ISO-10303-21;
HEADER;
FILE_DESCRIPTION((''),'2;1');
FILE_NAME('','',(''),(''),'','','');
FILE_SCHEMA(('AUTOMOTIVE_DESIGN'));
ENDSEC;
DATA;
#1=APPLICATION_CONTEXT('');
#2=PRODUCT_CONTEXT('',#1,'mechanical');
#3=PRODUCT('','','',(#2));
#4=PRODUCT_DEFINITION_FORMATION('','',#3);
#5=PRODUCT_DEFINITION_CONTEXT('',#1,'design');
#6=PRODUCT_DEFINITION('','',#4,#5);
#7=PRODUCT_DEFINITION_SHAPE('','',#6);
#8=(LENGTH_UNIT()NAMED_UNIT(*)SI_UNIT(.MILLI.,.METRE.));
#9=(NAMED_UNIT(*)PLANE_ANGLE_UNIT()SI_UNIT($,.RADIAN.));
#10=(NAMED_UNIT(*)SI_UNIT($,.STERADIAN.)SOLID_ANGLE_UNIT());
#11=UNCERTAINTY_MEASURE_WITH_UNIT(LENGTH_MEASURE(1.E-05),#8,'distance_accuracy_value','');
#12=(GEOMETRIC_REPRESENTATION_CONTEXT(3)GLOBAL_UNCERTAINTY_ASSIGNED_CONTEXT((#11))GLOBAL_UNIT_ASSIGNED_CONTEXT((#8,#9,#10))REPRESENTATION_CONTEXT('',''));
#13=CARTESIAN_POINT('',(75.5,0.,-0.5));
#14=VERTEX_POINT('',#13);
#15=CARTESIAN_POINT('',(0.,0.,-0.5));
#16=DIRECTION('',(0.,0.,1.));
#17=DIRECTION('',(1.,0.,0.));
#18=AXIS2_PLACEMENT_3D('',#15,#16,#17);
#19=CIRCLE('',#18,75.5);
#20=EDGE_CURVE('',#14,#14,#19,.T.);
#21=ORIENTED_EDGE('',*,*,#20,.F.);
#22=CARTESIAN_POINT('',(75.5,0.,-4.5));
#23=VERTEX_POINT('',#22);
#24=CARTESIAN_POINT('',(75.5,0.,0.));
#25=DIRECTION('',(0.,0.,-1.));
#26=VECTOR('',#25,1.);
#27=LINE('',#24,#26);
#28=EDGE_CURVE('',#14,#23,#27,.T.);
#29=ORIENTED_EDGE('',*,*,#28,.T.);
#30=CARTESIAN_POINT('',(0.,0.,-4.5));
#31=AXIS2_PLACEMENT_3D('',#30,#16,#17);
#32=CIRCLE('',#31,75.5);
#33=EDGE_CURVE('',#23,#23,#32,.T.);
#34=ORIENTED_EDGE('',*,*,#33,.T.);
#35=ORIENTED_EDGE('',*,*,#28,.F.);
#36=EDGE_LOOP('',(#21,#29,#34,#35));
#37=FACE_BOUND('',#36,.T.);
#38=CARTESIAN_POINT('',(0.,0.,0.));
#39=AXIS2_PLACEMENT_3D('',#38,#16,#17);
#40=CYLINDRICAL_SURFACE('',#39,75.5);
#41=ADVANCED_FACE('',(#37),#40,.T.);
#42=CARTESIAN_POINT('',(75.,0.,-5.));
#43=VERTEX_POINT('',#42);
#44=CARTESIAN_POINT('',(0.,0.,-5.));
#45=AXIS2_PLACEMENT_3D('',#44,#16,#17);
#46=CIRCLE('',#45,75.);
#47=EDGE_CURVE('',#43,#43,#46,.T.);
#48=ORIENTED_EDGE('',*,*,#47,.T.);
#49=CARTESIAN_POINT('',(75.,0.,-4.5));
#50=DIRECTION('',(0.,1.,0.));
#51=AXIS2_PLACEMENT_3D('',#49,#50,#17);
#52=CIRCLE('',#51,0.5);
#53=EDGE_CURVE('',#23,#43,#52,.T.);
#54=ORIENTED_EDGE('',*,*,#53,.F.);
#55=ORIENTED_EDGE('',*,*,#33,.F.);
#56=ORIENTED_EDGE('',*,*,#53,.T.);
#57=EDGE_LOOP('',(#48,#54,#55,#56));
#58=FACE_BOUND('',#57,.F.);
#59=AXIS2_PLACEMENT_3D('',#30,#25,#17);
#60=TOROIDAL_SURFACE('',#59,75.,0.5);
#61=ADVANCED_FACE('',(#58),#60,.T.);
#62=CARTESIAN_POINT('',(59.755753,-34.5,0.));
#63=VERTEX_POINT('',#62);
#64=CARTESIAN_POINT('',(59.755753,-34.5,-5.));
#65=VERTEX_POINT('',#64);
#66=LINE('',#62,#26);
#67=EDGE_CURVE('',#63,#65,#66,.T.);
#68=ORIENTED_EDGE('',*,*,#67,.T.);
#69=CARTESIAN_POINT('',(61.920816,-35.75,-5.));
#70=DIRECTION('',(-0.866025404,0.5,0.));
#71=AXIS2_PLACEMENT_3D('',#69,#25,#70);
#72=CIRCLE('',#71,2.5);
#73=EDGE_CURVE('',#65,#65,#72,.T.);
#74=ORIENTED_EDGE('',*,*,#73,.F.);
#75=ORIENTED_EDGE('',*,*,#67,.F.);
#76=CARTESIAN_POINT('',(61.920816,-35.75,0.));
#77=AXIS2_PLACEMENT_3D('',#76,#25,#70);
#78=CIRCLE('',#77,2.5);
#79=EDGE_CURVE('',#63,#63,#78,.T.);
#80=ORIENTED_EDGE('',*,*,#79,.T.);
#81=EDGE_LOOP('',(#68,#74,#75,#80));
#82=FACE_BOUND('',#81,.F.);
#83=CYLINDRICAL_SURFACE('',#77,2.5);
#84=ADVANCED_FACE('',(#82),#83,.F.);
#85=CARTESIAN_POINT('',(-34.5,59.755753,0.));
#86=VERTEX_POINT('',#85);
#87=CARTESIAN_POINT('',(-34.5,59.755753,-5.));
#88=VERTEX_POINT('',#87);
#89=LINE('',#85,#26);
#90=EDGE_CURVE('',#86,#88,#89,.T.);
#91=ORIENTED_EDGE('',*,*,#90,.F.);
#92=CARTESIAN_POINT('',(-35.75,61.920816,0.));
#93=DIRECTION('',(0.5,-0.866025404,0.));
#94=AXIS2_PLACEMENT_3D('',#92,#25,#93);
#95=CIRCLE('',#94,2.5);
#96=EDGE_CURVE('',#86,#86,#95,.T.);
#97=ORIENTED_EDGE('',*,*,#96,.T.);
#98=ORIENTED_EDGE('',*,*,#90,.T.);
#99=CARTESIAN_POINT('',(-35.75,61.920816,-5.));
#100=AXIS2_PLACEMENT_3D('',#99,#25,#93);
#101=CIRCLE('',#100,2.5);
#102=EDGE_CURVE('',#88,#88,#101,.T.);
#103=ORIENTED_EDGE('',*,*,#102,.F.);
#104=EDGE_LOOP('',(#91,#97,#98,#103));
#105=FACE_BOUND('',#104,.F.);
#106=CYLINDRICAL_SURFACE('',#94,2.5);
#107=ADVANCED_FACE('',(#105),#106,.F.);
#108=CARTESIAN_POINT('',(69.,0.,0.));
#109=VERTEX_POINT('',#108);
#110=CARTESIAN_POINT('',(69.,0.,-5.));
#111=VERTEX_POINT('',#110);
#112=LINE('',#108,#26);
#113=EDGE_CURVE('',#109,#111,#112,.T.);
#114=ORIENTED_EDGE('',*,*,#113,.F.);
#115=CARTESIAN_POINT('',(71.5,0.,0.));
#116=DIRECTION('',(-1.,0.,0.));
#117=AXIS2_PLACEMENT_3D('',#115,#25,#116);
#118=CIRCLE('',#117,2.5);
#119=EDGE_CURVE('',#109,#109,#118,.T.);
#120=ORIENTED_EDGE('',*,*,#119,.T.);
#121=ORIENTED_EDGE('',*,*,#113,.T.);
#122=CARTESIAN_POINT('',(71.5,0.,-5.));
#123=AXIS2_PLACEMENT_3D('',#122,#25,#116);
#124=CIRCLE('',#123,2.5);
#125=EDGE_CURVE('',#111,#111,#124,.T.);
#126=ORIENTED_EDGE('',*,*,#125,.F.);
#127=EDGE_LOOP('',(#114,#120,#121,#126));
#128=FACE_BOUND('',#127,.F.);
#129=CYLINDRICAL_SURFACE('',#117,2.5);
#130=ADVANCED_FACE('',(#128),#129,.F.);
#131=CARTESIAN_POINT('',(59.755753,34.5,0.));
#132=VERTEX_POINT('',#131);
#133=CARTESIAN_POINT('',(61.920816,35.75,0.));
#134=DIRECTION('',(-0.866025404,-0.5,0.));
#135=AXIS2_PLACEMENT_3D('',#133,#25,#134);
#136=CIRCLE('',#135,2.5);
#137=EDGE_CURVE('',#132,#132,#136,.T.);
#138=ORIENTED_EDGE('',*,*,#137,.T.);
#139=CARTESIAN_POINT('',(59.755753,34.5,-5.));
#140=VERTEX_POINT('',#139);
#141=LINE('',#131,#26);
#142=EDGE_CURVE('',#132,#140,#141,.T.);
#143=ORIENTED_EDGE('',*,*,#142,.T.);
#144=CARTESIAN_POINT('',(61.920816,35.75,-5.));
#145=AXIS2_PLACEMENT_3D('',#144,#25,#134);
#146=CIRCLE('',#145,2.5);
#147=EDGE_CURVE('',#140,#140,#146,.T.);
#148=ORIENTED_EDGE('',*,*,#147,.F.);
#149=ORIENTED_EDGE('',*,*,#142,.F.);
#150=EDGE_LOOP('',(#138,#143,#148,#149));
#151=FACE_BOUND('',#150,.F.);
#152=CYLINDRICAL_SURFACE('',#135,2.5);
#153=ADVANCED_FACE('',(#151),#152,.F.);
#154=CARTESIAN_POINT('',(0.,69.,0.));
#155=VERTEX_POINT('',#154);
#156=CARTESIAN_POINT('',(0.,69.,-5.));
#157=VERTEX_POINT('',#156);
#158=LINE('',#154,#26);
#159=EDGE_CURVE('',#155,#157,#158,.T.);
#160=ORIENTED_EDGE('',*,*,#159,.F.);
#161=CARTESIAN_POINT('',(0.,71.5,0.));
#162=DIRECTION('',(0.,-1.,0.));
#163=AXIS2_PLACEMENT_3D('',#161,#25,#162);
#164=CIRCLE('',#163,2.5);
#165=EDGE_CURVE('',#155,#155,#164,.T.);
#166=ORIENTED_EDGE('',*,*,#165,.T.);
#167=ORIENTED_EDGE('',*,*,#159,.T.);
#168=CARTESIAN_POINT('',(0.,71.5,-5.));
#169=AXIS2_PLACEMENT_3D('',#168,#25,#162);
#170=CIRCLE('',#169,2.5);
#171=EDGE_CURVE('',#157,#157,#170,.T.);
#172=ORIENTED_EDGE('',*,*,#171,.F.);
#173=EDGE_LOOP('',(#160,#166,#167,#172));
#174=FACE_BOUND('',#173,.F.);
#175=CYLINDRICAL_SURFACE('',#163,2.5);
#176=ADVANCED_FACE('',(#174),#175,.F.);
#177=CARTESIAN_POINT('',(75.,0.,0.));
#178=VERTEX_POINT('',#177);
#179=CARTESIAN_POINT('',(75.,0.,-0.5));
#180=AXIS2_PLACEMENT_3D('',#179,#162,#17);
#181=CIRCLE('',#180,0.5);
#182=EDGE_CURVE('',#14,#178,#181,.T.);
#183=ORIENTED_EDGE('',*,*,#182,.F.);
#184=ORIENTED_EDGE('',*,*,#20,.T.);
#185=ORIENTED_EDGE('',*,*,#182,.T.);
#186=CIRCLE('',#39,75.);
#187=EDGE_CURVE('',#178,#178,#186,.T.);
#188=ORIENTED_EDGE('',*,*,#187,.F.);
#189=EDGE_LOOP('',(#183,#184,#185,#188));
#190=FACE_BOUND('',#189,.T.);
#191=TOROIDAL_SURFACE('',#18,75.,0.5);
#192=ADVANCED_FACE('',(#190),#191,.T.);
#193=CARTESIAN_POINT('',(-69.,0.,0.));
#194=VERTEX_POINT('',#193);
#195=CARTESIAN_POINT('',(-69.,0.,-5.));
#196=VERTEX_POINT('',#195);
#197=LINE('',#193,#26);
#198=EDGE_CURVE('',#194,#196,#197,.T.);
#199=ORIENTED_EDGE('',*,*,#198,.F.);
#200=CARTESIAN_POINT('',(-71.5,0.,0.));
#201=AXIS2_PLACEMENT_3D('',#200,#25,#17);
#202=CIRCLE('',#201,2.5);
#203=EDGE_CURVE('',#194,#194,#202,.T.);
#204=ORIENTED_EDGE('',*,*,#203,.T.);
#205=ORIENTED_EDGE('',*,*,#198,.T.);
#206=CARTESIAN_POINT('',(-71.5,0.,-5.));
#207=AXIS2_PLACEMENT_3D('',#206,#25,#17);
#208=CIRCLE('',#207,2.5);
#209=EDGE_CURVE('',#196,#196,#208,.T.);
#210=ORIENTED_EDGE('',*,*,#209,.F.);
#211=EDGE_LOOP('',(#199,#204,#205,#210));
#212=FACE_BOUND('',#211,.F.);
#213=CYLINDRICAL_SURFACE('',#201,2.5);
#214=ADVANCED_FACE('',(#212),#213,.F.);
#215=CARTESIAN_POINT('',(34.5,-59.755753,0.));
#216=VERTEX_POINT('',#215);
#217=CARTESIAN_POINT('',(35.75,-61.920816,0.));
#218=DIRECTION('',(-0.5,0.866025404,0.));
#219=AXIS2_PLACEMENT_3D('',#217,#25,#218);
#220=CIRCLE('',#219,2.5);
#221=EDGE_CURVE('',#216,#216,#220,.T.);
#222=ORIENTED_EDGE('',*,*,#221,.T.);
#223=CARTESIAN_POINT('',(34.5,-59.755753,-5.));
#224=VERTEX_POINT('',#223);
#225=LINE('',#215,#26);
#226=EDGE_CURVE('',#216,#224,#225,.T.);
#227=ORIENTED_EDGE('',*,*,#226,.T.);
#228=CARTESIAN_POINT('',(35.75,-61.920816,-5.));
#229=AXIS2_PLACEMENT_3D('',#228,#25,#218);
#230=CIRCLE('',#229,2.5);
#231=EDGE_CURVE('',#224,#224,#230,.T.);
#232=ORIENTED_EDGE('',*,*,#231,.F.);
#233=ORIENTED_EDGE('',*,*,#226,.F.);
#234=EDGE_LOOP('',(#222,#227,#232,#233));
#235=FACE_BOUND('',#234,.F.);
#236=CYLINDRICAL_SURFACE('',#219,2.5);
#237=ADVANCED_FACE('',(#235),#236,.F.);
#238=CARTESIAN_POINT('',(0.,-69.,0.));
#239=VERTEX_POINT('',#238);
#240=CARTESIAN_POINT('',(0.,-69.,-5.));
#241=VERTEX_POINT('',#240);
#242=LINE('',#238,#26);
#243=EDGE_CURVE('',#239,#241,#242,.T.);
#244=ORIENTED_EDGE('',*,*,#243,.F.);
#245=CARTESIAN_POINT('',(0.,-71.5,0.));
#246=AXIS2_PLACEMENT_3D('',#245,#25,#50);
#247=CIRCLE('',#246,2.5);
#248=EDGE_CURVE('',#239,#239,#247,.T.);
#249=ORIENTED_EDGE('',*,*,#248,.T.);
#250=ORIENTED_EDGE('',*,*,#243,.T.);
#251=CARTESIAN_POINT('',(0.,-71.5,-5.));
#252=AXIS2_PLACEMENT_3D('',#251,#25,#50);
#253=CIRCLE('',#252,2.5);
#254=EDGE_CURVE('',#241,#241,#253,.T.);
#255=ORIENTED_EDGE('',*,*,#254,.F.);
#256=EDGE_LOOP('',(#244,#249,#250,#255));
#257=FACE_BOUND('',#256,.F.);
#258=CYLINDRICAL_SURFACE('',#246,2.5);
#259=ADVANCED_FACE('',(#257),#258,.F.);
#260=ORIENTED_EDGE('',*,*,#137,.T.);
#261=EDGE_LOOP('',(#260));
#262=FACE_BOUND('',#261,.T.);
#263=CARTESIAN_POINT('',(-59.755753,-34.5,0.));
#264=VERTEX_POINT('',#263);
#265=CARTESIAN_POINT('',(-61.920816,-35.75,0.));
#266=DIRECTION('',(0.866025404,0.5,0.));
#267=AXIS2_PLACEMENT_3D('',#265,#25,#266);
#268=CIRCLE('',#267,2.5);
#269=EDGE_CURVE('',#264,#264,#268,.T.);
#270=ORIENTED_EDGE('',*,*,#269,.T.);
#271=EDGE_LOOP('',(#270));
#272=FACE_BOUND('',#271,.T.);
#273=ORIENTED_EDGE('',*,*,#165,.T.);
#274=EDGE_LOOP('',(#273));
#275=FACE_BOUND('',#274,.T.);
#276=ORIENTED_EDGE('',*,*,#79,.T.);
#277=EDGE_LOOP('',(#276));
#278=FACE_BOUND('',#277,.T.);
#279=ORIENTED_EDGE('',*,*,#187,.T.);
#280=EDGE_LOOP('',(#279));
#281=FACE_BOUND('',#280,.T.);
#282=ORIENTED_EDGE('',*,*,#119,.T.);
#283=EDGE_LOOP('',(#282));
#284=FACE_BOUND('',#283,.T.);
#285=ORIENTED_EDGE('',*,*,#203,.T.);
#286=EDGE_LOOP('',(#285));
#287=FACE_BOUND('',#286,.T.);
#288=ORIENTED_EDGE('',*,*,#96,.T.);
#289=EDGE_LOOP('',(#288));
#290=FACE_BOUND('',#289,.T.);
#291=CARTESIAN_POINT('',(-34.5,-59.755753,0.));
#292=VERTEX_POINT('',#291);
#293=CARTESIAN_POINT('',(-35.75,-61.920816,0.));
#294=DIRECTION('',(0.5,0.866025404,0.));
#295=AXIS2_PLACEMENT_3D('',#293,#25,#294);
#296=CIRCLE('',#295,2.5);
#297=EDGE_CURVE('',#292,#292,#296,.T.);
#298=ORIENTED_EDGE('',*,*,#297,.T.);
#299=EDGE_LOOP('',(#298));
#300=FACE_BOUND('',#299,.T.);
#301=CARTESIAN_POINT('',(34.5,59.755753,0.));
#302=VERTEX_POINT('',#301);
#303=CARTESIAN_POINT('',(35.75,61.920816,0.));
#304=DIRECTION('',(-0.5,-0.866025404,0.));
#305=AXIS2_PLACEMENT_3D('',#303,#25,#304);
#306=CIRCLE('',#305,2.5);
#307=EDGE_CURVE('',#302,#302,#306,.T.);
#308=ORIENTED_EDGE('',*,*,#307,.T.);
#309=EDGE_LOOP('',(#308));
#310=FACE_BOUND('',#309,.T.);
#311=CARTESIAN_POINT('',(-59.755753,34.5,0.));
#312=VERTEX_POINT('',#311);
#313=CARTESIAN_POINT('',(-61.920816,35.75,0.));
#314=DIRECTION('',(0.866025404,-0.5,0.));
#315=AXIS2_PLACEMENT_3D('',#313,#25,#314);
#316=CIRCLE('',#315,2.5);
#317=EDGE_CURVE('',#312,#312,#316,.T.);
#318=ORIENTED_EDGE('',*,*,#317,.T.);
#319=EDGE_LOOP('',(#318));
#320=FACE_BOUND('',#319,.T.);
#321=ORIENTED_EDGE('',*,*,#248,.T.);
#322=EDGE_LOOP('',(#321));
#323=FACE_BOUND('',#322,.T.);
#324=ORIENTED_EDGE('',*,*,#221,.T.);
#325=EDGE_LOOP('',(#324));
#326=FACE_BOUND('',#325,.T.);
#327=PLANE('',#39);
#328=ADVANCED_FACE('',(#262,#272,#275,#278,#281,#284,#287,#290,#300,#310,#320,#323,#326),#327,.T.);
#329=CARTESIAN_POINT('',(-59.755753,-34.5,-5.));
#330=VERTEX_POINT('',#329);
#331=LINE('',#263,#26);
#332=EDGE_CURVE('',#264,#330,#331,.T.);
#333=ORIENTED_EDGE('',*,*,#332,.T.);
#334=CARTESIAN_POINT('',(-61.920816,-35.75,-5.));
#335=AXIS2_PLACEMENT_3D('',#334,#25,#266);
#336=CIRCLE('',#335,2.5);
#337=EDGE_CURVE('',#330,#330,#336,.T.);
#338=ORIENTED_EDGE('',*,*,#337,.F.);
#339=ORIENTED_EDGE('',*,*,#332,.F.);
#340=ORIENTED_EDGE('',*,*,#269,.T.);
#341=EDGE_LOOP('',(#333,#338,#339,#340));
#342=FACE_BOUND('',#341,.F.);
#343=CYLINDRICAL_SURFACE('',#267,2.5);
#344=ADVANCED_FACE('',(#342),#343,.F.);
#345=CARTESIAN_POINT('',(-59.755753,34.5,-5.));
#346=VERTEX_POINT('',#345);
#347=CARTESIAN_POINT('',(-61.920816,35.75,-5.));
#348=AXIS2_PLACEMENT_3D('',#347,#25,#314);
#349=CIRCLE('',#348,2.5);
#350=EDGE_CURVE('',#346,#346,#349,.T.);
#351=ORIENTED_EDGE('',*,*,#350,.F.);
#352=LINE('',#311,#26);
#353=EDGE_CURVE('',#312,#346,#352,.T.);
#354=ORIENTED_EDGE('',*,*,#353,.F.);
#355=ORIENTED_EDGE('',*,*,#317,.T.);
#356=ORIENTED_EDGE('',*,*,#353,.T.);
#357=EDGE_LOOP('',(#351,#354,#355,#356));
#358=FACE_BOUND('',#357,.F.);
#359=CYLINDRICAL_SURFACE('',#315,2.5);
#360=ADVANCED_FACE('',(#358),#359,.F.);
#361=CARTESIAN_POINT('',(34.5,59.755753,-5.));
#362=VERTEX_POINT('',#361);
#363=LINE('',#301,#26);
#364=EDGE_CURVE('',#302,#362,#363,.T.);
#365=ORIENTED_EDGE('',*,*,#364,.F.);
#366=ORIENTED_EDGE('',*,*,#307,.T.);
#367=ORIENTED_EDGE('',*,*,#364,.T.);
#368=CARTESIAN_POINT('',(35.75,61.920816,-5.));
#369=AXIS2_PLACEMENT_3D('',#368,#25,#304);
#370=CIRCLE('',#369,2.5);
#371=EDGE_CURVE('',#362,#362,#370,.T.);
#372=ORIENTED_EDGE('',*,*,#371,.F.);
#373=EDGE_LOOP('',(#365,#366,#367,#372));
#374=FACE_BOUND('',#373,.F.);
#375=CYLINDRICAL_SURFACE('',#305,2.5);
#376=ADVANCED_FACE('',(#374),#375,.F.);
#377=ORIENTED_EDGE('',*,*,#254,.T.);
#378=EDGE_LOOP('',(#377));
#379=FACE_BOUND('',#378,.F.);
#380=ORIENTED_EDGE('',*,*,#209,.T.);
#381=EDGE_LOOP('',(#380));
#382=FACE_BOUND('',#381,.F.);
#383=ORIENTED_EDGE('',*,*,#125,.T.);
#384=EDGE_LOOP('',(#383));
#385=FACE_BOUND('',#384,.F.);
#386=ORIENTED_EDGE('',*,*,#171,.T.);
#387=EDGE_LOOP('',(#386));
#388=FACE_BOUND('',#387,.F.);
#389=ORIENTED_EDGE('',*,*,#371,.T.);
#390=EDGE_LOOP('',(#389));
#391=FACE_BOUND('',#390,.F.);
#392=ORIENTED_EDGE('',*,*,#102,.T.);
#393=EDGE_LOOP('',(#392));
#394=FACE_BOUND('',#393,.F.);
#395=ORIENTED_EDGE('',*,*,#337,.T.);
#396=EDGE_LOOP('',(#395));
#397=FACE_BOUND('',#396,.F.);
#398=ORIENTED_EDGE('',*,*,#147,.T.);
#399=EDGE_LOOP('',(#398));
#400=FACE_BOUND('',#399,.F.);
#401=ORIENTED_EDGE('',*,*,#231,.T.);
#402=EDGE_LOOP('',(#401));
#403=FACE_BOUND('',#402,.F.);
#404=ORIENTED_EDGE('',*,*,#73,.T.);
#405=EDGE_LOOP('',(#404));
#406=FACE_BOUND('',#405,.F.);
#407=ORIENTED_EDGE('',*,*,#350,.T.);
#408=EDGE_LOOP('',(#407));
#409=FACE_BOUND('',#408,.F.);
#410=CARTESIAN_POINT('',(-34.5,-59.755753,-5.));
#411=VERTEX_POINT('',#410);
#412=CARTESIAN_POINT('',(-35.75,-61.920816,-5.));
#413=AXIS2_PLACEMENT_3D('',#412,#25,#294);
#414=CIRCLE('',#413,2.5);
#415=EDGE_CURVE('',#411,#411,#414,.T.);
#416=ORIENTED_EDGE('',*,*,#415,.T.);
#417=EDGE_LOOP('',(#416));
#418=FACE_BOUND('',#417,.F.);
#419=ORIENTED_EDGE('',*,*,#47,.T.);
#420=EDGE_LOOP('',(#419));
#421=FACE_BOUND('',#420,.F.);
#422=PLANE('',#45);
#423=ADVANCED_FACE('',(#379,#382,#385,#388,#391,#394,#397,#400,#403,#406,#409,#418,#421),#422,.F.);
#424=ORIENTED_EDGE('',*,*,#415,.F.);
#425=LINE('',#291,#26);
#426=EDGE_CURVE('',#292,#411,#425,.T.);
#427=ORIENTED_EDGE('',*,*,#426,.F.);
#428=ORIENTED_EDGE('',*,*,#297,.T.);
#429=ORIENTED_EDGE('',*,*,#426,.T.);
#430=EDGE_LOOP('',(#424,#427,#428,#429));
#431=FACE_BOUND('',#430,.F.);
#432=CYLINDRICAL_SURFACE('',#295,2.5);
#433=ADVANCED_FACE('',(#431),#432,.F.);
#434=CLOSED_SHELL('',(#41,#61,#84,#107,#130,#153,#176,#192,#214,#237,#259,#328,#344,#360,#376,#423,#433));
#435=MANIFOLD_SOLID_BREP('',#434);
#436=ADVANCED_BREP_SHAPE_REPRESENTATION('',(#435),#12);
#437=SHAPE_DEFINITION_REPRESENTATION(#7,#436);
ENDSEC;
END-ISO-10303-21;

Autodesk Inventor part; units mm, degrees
ref_plane "YZ Plane" through (0, 0, 0) normal (1, 0, 0) x (0, 1, 0)
ref_plane "XZ Plane" through (0, 0, 0) normal (0, 1, 0) x (-1, 0, 0)
ref_plane "XY Plane" through (0, 0, 0) normal (0, 0, 1) x (1, 0, 0)
sketch "Sketch1" plane through (0, 0, 0) normal (0, 0, 1) x (1, 0, 0)
  circle A0 centre (0, 0) radius 75.5
  dimension "d0" = 151
extrude "Extrusion1" add sketch "Sketch1" against normal blind 5
sketch "Sketch2" plane through (0, 0, 0) normal (0, 0, 1) x (1, 0, 0)
  circle A0 centre (0, 0) radius 71.5 construction
  point P0 (0, 71.5)
  dimension "d3" = 143
hole "Hole1" at (0, 71.5, 0) direction (0, 0, -1) diameter 5 depth 5
pattern_circular "Circular Pattern1" count 12 over 360 about axis through (0, 0, 0) along (0, 0, -1) of "Hole1"
fillet "Fillet1" radius 0.5 2 edges at (-75.5, 0, 0) (-75.5, 0, -5)
properties part number "101 part 1" material "Silver"
